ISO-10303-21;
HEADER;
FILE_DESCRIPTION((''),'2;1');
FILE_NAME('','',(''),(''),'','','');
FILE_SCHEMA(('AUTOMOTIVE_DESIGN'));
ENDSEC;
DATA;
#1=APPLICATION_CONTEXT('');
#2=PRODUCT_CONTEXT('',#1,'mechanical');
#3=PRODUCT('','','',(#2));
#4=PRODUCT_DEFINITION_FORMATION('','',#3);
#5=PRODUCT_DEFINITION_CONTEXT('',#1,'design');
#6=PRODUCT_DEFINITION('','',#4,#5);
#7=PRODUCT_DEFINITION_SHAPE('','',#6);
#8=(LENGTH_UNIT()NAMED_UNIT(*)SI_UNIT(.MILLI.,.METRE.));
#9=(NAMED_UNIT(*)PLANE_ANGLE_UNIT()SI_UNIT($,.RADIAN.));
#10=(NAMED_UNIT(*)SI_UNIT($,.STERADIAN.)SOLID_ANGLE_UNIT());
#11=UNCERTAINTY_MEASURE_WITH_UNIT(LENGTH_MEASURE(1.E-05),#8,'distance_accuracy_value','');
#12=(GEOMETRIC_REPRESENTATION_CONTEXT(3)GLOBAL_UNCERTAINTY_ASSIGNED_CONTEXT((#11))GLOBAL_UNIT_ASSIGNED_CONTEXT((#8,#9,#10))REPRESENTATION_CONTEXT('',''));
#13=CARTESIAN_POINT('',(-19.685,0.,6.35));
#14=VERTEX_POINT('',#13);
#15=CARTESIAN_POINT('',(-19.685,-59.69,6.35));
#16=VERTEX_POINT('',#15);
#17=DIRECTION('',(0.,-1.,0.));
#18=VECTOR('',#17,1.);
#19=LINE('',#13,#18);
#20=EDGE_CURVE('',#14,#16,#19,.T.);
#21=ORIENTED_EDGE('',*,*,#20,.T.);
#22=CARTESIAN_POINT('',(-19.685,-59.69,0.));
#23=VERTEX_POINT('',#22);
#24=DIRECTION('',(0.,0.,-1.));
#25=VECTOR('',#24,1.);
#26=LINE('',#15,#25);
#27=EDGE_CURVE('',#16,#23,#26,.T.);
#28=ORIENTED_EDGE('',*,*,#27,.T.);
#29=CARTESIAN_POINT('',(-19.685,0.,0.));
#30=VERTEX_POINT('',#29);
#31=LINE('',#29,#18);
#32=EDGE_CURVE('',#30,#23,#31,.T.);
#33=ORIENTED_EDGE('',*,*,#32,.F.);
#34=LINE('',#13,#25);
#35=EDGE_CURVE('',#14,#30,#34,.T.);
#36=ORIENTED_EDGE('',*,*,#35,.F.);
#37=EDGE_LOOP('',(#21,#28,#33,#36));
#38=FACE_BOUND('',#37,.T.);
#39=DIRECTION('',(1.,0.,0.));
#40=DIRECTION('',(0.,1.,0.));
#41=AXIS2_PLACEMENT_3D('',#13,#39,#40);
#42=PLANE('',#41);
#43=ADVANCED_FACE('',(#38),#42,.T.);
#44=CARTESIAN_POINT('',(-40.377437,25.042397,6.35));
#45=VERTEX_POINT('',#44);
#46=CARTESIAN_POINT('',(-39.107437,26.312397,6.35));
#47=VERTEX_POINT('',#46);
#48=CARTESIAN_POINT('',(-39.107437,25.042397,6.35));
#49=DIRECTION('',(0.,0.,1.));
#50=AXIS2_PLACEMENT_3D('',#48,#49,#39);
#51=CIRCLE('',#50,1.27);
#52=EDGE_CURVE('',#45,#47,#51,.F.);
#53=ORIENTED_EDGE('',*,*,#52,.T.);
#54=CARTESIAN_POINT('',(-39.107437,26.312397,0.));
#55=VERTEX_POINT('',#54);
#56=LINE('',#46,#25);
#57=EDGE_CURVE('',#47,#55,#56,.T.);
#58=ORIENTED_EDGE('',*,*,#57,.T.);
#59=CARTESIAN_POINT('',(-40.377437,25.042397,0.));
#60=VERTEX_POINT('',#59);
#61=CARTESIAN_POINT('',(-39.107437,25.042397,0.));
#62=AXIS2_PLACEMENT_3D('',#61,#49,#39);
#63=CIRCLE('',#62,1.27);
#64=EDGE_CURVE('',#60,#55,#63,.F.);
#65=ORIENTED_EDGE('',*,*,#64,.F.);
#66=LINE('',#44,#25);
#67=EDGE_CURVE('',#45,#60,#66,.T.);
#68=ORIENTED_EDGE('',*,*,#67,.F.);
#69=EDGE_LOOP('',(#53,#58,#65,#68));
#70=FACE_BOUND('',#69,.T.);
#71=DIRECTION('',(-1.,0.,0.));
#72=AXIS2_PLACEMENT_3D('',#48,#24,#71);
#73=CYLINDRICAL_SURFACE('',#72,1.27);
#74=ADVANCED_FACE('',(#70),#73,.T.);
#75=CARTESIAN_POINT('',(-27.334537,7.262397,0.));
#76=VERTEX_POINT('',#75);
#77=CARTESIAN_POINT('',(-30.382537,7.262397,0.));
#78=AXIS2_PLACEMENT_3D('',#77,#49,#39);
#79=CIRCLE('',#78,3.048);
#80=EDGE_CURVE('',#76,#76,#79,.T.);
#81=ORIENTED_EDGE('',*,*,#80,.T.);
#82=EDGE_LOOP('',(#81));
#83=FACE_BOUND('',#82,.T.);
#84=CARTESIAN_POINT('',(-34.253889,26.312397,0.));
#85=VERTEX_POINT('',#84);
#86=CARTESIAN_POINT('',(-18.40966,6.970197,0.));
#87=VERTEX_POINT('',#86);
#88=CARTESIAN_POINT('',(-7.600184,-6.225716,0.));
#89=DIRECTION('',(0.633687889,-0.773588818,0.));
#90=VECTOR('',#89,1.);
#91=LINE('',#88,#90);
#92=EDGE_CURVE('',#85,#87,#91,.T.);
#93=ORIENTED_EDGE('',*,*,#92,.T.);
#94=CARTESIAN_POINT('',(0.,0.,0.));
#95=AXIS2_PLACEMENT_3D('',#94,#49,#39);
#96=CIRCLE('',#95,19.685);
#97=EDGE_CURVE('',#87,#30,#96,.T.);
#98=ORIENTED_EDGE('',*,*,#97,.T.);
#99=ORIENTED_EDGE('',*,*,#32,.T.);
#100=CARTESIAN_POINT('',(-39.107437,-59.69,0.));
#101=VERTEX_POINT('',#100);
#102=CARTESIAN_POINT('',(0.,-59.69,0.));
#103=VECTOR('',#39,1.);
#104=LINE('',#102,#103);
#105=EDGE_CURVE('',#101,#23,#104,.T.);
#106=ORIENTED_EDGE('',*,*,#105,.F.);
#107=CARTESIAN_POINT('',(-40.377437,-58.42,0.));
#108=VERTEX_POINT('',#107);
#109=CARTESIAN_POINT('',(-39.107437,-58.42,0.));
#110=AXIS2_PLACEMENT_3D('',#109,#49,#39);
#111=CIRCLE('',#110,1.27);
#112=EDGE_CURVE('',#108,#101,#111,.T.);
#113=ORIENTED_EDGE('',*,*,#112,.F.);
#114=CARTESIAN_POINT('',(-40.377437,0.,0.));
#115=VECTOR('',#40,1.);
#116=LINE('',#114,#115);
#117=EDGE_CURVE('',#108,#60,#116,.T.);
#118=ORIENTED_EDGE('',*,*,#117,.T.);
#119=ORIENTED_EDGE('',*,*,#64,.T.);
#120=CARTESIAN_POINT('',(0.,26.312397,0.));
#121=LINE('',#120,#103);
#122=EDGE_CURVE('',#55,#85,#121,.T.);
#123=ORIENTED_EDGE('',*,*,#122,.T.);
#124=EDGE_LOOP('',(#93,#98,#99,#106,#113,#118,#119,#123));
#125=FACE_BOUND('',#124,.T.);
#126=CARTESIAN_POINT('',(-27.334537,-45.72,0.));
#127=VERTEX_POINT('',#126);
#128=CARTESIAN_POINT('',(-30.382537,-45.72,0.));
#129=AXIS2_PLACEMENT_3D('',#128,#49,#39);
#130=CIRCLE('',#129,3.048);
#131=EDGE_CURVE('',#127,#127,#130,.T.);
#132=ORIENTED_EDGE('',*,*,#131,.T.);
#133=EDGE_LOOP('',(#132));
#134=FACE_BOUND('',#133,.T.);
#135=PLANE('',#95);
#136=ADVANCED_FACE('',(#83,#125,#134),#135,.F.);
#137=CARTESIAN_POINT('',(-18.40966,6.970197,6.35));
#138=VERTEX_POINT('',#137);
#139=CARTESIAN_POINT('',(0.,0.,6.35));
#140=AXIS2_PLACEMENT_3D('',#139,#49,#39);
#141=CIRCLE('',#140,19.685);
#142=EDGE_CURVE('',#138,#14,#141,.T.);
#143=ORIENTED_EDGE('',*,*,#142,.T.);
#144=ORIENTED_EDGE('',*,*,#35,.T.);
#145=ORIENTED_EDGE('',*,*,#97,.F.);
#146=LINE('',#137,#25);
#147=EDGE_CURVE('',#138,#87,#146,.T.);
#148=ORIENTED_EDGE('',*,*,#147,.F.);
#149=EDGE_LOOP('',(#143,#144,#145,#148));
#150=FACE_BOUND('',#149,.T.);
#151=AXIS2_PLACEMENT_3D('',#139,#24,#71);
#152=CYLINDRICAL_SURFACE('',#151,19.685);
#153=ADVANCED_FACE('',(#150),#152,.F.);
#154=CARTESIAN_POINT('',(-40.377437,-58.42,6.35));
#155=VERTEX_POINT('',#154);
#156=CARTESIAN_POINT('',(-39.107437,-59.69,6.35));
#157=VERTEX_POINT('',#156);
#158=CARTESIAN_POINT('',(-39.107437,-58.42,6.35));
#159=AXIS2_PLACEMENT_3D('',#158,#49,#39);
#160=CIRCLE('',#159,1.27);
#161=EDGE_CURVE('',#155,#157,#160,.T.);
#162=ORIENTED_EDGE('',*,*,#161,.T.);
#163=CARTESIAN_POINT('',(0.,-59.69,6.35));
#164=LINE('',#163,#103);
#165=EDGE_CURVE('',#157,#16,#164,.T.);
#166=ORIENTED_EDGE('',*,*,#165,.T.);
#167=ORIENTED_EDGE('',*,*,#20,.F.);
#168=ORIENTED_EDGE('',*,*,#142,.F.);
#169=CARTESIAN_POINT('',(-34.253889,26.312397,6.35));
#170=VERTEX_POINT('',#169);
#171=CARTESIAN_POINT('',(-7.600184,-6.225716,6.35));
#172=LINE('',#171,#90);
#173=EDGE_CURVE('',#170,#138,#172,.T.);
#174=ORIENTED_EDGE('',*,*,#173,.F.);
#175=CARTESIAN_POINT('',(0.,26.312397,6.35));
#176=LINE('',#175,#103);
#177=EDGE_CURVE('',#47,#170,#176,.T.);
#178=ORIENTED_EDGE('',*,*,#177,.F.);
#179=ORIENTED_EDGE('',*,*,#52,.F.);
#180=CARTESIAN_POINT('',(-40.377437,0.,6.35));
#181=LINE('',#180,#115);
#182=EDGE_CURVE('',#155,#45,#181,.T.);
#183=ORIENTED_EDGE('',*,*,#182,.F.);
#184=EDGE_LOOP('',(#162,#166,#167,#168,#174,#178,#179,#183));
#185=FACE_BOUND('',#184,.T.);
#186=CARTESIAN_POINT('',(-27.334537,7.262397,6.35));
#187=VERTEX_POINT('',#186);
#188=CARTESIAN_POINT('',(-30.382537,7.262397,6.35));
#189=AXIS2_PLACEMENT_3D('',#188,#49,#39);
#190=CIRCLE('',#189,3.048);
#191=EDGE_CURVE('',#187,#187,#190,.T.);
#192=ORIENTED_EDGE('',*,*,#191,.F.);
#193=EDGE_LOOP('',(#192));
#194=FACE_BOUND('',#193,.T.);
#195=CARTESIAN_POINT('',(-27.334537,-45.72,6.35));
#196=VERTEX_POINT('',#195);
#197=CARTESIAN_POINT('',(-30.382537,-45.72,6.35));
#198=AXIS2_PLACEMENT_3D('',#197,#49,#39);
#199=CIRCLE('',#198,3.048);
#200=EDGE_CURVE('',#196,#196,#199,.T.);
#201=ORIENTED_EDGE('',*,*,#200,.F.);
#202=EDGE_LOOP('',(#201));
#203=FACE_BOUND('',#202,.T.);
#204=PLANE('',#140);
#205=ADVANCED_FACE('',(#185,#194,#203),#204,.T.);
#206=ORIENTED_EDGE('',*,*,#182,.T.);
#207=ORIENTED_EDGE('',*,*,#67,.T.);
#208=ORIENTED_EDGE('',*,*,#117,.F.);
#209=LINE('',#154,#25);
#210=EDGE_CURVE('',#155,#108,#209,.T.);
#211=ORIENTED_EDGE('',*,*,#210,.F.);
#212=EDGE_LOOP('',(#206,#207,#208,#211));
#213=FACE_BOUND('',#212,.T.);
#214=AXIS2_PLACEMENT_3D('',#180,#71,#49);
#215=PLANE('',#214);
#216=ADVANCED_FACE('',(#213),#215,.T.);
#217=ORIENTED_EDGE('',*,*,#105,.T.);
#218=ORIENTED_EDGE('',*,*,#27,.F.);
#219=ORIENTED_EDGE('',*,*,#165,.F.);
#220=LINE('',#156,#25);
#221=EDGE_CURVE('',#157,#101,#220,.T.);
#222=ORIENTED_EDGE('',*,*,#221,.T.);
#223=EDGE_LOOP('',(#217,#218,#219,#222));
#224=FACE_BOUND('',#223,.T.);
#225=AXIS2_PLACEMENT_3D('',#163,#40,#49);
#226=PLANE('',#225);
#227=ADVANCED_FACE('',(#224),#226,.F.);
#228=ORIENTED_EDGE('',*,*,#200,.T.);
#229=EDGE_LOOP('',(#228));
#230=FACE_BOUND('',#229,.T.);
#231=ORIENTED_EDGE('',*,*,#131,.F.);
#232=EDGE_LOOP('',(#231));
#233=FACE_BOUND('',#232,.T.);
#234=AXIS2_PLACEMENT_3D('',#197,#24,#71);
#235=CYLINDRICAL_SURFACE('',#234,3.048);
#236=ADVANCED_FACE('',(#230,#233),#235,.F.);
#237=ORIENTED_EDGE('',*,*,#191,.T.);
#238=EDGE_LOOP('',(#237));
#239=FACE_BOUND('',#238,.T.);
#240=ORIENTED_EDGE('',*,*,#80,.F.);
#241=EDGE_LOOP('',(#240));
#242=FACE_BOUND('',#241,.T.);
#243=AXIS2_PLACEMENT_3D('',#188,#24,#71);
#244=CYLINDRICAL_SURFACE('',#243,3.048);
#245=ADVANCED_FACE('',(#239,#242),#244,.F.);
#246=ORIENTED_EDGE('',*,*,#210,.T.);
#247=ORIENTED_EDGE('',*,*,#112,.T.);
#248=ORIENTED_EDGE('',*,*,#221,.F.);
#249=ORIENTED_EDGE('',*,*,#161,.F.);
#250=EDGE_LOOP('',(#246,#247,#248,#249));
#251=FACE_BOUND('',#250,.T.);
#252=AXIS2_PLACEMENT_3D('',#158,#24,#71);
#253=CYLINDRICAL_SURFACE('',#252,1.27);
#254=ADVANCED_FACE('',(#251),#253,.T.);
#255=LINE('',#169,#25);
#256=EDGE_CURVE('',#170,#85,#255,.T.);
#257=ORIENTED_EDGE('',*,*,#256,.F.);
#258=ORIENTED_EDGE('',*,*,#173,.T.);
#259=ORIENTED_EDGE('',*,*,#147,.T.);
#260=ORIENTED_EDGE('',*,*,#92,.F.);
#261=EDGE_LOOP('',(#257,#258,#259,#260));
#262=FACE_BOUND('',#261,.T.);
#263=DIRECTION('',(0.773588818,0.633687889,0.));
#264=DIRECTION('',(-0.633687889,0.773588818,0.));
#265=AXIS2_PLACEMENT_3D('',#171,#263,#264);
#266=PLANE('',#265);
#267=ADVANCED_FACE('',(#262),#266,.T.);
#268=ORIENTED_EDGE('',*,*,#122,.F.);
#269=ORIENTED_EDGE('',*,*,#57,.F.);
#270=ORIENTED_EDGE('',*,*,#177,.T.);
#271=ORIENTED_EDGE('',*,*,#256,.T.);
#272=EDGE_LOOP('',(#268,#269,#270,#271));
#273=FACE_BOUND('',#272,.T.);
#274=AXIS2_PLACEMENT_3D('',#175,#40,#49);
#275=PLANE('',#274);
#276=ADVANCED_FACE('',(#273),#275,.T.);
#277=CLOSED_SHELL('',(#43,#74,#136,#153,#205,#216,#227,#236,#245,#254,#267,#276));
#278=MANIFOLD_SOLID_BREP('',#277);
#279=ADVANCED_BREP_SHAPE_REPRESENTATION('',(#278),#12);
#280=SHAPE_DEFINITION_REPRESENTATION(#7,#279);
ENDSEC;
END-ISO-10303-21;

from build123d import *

# Parameters (mm, degrees)
SKETCH1_R           = 3.048
BOSS_EXTRUDE2_DEPTH = 6.35


with BuildPart() as part:
    # Sketch1 → Boss-Extrude2 (new body)
    with BuildSketch(Plane.XY):
        with BuildLine():
            ThreePointArc((-19.685, 0), (-19.36354027, 3.542955436), (-18.409660074, 6.970196624))
            Line((-18.409660074, 6.970196624), (-34.253888671, 26.312396902))
            Line((-34.253888671, 26.312396902), (-39.107436935, 26.312396902))
            ThreePointArc((-39.107436935, 26.312396902), (-40.005462547, 25.940422514), (-40.377436935, 25.042396902))
            Line((-40.377436935, 25.042396902), (-40.377436935, -58.42))
            ThreePointArc((-40.377436935, -58.42), (-40.005462547, -59.318025612), (-39.107436935, -59.69))
            Line((-39.107436935, -59.69), (-19.685, -59.69))
            Line((-19.685, -59.69), (-19.685, 0))
        make_face()
        with Locations((-30.382536935, 7.262396902)):
            Circle(SKETCH1_R, mode=Mode.SUBTRACT)
        with Locations((-30.382536935, -45.72)):
            Circle(SKETCH1_R, mode=Mode.SUBTRACT)
    extrude(amount=BOSS_EXTRUDE2_DEPTH)


solid = part.part
